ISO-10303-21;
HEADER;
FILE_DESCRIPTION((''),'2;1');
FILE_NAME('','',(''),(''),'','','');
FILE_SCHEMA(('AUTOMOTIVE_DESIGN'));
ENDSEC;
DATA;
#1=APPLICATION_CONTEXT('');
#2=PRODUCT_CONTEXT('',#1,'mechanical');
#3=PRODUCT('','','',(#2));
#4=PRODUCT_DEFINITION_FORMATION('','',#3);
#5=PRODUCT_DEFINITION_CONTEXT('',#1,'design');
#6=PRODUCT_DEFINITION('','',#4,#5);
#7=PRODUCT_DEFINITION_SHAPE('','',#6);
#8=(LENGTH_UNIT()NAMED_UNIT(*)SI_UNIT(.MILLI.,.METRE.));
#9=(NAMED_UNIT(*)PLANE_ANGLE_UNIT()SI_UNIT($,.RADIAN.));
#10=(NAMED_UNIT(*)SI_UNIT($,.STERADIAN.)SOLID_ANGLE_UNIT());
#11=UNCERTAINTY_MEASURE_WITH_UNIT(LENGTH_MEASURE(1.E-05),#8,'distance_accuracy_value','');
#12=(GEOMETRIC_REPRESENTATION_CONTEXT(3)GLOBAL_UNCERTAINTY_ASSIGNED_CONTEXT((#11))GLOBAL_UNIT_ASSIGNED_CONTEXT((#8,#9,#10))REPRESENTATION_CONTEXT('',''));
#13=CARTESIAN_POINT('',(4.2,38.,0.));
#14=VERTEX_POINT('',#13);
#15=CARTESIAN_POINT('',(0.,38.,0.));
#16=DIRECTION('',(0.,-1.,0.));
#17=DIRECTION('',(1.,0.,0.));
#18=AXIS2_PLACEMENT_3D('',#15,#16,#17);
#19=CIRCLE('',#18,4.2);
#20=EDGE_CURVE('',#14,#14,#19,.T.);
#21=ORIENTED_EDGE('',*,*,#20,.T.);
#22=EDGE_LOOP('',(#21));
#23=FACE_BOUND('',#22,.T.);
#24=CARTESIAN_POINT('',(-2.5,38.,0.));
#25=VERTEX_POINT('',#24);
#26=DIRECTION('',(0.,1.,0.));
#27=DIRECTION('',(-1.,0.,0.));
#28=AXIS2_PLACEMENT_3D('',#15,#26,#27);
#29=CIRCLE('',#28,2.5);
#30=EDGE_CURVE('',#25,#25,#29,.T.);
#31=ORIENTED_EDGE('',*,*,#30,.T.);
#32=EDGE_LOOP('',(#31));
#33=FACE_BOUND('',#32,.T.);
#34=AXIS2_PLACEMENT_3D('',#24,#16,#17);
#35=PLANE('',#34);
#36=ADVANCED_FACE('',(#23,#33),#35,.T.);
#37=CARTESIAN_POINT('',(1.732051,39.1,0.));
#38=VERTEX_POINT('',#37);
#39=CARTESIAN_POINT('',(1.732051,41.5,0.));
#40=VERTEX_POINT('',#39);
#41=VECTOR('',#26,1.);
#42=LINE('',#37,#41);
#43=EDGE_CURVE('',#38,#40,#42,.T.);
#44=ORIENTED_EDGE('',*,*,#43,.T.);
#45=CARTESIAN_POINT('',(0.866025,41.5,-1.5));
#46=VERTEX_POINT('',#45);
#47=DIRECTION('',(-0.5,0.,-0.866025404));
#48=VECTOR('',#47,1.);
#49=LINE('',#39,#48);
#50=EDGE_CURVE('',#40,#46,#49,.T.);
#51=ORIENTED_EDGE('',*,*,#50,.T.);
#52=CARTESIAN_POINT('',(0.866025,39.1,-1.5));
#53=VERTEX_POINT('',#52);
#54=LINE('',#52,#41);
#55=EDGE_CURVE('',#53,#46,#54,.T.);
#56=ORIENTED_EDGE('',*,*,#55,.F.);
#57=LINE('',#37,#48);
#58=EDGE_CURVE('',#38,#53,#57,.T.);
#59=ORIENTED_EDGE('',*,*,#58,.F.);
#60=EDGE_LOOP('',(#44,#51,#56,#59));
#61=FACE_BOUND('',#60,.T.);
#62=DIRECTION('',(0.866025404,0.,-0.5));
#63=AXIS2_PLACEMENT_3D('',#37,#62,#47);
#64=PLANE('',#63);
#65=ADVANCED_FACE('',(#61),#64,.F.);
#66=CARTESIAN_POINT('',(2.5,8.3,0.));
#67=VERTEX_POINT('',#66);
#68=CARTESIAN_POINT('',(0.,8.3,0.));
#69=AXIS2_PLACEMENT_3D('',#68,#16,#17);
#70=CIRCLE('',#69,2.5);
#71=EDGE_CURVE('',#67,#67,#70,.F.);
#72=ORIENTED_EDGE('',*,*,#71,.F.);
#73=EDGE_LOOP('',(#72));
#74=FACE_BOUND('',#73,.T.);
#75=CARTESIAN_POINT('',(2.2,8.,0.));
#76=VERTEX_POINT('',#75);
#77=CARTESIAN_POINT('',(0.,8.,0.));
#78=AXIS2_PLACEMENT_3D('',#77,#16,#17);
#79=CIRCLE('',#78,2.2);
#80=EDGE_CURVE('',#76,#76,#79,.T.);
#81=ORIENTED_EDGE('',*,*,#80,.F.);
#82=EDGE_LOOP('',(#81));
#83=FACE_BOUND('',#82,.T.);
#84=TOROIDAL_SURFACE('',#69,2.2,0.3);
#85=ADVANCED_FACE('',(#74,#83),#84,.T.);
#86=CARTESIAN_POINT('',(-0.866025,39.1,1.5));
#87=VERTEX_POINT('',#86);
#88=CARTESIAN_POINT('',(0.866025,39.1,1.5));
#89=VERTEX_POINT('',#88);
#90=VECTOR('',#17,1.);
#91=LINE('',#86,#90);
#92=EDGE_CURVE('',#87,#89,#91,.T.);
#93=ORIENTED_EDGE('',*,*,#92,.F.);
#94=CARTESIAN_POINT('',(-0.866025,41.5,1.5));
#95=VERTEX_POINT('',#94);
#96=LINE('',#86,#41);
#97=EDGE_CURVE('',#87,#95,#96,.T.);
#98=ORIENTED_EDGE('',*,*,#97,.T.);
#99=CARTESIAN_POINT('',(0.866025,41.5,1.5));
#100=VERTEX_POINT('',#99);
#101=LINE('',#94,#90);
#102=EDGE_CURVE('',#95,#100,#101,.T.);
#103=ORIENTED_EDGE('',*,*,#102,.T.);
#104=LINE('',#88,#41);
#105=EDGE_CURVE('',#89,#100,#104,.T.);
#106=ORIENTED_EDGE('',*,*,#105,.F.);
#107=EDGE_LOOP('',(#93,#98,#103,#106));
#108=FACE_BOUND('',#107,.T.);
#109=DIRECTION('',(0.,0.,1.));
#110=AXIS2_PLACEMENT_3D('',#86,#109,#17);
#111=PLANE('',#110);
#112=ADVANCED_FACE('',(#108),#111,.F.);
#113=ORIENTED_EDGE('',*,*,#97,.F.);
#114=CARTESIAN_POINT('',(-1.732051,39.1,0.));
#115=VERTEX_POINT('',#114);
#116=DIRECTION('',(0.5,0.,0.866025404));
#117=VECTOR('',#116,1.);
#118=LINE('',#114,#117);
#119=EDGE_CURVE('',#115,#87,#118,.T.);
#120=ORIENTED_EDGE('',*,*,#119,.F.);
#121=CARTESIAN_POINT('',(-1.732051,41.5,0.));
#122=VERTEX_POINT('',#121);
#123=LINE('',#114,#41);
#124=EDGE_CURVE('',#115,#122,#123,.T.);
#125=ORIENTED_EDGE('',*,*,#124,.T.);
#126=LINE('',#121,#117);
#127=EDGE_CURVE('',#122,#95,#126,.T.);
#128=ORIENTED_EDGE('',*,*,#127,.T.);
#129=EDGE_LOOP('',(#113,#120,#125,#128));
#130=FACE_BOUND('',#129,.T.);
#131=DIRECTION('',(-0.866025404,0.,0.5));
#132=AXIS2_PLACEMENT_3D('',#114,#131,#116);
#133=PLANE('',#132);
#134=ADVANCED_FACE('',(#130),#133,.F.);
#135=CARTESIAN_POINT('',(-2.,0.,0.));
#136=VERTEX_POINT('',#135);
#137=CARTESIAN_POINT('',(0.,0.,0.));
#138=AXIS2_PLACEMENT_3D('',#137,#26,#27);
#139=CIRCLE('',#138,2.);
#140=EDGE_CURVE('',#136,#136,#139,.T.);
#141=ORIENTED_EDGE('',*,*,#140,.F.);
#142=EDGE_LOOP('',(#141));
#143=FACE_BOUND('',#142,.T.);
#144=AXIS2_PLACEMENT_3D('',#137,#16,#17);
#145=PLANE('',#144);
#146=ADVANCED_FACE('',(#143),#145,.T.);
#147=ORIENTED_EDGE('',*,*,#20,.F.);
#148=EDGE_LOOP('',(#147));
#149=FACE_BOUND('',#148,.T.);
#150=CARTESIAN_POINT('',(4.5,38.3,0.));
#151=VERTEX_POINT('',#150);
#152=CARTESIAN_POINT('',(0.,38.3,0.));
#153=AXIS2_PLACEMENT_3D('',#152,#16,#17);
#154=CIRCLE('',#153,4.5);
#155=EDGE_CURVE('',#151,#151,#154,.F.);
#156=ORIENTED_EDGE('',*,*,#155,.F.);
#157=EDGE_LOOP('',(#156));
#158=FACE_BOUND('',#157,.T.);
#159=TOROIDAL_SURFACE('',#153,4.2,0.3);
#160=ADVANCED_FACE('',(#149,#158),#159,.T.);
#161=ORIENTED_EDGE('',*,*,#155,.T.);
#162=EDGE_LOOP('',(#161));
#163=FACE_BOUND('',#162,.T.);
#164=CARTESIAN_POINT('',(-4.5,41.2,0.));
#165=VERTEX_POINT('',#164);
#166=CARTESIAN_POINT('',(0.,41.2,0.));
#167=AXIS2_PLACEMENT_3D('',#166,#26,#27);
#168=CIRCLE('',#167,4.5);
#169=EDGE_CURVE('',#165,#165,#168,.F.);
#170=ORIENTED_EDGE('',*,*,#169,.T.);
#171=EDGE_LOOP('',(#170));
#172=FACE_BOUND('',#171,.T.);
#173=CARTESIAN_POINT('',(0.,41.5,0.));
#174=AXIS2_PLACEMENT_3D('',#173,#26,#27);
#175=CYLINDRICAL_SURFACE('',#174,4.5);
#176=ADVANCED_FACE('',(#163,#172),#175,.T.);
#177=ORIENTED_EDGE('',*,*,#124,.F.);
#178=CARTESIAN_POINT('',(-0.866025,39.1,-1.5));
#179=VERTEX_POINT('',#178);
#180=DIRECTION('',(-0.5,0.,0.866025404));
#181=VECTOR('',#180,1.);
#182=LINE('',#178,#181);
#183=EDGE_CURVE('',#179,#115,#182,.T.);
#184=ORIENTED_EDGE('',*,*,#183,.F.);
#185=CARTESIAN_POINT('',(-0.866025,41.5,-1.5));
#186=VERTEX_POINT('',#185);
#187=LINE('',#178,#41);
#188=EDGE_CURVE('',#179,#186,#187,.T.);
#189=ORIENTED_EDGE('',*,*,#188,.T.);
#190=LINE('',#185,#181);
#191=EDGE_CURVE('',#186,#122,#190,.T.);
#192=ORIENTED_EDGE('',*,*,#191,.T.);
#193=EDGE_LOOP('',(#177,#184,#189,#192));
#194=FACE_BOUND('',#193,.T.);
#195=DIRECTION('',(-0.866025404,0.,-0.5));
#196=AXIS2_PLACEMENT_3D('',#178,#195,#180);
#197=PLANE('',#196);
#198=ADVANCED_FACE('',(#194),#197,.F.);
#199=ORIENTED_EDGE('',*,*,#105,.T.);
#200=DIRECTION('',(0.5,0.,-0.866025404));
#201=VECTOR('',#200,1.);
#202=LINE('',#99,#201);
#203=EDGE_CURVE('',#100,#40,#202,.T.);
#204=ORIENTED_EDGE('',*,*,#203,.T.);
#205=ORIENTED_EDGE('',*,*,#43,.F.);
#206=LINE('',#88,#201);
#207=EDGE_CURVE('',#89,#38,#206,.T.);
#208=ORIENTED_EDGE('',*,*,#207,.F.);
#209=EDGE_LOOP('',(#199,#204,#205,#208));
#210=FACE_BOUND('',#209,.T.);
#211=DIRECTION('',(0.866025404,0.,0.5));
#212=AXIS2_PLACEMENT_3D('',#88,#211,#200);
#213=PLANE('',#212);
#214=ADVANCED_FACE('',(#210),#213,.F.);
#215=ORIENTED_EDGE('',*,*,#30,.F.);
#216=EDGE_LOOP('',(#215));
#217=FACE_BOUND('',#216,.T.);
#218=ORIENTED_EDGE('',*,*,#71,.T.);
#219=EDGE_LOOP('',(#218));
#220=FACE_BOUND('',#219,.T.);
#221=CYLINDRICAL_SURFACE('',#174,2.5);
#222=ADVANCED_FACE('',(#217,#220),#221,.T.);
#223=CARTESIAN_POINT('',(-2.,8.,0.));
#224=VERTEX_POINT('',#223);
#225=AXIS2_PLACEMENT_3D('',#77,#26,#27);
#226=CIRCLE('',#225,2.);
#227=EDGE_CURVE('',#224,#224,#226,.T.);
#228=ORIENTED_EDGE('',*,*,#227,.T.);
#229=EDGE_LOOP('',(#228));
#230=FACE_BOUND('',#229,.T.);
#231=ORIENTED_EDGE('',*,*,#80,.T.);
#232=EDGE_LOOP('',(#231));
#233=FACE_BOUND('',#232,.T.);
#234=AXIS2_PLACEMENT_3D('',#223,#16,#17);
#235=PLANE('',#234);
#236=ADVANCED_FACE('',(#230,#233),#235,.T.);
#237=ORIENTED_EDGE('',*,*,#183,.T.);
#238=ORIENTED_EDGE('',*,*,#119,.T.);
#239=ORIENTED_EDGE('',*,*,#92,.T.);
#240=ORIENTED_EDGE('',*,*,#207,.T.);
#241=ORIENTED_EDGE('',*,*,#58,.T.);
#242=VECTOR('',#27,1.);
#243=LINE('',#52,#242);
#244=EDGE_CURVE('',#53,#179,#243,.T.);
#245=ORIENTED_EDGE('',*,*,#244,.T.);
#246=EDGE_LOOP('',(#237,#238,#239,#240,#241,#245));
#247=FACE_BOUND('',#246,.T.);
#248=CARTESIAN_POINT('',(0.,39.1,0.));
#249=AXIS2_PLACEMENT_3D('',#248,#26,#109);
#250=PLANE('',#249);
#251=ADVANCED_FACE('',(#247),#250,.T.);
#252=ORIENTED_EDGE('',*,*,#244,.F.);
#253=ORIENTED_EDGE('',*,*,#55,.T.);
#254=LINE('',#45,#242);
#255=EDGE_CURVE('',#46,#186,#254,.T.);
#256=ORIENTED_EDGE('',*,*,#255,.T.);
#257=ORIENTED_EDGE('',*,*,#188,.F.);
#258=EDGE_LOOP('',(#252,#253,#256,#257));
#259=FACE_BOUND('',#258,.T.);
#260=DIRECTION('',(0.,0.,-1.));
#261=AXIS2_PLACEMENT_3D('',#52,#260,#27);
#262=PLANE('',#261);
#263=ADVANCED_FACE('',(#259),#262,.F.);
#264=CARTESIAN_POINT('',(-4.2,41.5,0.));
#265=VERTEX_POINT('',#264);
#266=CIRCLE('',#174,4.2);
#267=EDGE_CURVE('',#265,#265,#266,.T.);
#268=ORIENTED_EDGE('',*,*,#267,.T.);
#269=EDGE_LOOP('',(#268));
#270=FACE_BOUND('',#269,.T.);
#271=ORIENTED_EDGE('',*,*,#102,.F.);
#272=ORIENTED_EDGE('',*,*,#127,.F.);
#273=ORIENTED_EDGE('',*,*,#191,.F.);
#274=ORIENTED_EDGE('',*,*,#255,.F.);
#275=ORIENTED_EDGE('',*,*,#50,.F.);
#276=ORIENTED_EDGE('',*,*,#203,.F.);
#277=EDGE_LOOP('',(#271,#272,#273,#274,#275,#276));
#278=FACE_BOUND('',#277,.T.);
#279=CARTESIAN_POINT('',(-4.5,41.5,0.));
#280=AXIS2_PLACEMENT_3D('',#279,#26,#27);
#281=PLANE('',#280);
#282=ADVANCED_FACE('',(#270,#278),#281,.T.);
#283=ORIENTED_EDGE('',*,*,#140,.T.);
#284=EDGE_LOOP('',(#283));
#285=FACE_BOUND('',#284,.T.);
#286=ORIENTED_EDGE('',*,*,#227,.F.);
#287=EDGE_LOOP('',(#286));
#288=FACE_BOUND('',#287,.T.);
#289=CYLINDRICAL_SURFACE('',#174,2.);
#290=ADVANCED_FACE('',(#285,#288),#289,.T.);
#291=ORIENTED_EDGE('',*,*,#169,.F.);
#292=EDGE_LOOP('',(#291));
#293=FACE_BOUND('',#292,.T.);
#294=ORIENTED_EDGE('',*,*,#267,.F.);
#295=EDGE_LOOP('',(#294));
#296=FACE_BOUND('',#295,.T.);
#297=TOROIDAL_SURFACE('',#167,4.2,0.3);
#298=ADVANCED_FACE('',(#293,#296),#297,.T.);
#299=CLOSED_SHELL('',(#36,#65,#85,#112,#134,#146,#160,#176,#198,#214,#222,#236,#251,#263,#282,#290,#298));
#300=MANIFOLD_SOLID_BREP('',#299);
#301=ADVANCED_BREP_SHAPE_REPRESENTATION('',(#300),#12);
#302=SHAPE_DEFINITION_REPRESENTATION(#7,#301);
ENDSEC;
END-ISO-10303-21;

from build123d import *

# Parameters (mm, degrees)
FILLET_1_R          = 0.3
CUT_EXTRUDE_1_DEPTH = 2.4


with BuildPart() as part:
    # 草图1 → 旋转1 (revolve)
    with BuildSketch(Plane.XY):
        Polygon((0, 0), (-2, 0), (-2, 8), (-2.5, 8), (-2.5, 38), (-4.5, 38), (-4.5, 41.5), (0, 41.5), align=None)
    revolve(axis=Axis((0, 41.5, 0), (0, -1, 0)))

    # 圆角1
    fillet_1_edges = [part.edges().sort_by_distance(p)[0] for p in [
        (4.5, 41.5, 0),
        (4.5, 38, 0),
        (2.5, 8, 0),
    ]]
    fillet(fillet_1_edges, radius=FILLET_1_R)

    # 草图2 → 切除-拉伸1 (cut)
    with BuildSketch(Plane(origin=(0, 41.5, 0), x_dir=(1, 0, 0), z_dir=(0, 1, 0))):
        Polygon((0.866025404, -1.5), (1.732050808, 0), (0.866025404, 1.5), (-0.866025404, 1.5), (-1.732050808, 0), (-0.866025404, -1.5), align=None)
    extrude(amount=-CUT_EXTRUDE_1_DEPTH, mode=Mode.SUBTRACT)


solid = part.part
